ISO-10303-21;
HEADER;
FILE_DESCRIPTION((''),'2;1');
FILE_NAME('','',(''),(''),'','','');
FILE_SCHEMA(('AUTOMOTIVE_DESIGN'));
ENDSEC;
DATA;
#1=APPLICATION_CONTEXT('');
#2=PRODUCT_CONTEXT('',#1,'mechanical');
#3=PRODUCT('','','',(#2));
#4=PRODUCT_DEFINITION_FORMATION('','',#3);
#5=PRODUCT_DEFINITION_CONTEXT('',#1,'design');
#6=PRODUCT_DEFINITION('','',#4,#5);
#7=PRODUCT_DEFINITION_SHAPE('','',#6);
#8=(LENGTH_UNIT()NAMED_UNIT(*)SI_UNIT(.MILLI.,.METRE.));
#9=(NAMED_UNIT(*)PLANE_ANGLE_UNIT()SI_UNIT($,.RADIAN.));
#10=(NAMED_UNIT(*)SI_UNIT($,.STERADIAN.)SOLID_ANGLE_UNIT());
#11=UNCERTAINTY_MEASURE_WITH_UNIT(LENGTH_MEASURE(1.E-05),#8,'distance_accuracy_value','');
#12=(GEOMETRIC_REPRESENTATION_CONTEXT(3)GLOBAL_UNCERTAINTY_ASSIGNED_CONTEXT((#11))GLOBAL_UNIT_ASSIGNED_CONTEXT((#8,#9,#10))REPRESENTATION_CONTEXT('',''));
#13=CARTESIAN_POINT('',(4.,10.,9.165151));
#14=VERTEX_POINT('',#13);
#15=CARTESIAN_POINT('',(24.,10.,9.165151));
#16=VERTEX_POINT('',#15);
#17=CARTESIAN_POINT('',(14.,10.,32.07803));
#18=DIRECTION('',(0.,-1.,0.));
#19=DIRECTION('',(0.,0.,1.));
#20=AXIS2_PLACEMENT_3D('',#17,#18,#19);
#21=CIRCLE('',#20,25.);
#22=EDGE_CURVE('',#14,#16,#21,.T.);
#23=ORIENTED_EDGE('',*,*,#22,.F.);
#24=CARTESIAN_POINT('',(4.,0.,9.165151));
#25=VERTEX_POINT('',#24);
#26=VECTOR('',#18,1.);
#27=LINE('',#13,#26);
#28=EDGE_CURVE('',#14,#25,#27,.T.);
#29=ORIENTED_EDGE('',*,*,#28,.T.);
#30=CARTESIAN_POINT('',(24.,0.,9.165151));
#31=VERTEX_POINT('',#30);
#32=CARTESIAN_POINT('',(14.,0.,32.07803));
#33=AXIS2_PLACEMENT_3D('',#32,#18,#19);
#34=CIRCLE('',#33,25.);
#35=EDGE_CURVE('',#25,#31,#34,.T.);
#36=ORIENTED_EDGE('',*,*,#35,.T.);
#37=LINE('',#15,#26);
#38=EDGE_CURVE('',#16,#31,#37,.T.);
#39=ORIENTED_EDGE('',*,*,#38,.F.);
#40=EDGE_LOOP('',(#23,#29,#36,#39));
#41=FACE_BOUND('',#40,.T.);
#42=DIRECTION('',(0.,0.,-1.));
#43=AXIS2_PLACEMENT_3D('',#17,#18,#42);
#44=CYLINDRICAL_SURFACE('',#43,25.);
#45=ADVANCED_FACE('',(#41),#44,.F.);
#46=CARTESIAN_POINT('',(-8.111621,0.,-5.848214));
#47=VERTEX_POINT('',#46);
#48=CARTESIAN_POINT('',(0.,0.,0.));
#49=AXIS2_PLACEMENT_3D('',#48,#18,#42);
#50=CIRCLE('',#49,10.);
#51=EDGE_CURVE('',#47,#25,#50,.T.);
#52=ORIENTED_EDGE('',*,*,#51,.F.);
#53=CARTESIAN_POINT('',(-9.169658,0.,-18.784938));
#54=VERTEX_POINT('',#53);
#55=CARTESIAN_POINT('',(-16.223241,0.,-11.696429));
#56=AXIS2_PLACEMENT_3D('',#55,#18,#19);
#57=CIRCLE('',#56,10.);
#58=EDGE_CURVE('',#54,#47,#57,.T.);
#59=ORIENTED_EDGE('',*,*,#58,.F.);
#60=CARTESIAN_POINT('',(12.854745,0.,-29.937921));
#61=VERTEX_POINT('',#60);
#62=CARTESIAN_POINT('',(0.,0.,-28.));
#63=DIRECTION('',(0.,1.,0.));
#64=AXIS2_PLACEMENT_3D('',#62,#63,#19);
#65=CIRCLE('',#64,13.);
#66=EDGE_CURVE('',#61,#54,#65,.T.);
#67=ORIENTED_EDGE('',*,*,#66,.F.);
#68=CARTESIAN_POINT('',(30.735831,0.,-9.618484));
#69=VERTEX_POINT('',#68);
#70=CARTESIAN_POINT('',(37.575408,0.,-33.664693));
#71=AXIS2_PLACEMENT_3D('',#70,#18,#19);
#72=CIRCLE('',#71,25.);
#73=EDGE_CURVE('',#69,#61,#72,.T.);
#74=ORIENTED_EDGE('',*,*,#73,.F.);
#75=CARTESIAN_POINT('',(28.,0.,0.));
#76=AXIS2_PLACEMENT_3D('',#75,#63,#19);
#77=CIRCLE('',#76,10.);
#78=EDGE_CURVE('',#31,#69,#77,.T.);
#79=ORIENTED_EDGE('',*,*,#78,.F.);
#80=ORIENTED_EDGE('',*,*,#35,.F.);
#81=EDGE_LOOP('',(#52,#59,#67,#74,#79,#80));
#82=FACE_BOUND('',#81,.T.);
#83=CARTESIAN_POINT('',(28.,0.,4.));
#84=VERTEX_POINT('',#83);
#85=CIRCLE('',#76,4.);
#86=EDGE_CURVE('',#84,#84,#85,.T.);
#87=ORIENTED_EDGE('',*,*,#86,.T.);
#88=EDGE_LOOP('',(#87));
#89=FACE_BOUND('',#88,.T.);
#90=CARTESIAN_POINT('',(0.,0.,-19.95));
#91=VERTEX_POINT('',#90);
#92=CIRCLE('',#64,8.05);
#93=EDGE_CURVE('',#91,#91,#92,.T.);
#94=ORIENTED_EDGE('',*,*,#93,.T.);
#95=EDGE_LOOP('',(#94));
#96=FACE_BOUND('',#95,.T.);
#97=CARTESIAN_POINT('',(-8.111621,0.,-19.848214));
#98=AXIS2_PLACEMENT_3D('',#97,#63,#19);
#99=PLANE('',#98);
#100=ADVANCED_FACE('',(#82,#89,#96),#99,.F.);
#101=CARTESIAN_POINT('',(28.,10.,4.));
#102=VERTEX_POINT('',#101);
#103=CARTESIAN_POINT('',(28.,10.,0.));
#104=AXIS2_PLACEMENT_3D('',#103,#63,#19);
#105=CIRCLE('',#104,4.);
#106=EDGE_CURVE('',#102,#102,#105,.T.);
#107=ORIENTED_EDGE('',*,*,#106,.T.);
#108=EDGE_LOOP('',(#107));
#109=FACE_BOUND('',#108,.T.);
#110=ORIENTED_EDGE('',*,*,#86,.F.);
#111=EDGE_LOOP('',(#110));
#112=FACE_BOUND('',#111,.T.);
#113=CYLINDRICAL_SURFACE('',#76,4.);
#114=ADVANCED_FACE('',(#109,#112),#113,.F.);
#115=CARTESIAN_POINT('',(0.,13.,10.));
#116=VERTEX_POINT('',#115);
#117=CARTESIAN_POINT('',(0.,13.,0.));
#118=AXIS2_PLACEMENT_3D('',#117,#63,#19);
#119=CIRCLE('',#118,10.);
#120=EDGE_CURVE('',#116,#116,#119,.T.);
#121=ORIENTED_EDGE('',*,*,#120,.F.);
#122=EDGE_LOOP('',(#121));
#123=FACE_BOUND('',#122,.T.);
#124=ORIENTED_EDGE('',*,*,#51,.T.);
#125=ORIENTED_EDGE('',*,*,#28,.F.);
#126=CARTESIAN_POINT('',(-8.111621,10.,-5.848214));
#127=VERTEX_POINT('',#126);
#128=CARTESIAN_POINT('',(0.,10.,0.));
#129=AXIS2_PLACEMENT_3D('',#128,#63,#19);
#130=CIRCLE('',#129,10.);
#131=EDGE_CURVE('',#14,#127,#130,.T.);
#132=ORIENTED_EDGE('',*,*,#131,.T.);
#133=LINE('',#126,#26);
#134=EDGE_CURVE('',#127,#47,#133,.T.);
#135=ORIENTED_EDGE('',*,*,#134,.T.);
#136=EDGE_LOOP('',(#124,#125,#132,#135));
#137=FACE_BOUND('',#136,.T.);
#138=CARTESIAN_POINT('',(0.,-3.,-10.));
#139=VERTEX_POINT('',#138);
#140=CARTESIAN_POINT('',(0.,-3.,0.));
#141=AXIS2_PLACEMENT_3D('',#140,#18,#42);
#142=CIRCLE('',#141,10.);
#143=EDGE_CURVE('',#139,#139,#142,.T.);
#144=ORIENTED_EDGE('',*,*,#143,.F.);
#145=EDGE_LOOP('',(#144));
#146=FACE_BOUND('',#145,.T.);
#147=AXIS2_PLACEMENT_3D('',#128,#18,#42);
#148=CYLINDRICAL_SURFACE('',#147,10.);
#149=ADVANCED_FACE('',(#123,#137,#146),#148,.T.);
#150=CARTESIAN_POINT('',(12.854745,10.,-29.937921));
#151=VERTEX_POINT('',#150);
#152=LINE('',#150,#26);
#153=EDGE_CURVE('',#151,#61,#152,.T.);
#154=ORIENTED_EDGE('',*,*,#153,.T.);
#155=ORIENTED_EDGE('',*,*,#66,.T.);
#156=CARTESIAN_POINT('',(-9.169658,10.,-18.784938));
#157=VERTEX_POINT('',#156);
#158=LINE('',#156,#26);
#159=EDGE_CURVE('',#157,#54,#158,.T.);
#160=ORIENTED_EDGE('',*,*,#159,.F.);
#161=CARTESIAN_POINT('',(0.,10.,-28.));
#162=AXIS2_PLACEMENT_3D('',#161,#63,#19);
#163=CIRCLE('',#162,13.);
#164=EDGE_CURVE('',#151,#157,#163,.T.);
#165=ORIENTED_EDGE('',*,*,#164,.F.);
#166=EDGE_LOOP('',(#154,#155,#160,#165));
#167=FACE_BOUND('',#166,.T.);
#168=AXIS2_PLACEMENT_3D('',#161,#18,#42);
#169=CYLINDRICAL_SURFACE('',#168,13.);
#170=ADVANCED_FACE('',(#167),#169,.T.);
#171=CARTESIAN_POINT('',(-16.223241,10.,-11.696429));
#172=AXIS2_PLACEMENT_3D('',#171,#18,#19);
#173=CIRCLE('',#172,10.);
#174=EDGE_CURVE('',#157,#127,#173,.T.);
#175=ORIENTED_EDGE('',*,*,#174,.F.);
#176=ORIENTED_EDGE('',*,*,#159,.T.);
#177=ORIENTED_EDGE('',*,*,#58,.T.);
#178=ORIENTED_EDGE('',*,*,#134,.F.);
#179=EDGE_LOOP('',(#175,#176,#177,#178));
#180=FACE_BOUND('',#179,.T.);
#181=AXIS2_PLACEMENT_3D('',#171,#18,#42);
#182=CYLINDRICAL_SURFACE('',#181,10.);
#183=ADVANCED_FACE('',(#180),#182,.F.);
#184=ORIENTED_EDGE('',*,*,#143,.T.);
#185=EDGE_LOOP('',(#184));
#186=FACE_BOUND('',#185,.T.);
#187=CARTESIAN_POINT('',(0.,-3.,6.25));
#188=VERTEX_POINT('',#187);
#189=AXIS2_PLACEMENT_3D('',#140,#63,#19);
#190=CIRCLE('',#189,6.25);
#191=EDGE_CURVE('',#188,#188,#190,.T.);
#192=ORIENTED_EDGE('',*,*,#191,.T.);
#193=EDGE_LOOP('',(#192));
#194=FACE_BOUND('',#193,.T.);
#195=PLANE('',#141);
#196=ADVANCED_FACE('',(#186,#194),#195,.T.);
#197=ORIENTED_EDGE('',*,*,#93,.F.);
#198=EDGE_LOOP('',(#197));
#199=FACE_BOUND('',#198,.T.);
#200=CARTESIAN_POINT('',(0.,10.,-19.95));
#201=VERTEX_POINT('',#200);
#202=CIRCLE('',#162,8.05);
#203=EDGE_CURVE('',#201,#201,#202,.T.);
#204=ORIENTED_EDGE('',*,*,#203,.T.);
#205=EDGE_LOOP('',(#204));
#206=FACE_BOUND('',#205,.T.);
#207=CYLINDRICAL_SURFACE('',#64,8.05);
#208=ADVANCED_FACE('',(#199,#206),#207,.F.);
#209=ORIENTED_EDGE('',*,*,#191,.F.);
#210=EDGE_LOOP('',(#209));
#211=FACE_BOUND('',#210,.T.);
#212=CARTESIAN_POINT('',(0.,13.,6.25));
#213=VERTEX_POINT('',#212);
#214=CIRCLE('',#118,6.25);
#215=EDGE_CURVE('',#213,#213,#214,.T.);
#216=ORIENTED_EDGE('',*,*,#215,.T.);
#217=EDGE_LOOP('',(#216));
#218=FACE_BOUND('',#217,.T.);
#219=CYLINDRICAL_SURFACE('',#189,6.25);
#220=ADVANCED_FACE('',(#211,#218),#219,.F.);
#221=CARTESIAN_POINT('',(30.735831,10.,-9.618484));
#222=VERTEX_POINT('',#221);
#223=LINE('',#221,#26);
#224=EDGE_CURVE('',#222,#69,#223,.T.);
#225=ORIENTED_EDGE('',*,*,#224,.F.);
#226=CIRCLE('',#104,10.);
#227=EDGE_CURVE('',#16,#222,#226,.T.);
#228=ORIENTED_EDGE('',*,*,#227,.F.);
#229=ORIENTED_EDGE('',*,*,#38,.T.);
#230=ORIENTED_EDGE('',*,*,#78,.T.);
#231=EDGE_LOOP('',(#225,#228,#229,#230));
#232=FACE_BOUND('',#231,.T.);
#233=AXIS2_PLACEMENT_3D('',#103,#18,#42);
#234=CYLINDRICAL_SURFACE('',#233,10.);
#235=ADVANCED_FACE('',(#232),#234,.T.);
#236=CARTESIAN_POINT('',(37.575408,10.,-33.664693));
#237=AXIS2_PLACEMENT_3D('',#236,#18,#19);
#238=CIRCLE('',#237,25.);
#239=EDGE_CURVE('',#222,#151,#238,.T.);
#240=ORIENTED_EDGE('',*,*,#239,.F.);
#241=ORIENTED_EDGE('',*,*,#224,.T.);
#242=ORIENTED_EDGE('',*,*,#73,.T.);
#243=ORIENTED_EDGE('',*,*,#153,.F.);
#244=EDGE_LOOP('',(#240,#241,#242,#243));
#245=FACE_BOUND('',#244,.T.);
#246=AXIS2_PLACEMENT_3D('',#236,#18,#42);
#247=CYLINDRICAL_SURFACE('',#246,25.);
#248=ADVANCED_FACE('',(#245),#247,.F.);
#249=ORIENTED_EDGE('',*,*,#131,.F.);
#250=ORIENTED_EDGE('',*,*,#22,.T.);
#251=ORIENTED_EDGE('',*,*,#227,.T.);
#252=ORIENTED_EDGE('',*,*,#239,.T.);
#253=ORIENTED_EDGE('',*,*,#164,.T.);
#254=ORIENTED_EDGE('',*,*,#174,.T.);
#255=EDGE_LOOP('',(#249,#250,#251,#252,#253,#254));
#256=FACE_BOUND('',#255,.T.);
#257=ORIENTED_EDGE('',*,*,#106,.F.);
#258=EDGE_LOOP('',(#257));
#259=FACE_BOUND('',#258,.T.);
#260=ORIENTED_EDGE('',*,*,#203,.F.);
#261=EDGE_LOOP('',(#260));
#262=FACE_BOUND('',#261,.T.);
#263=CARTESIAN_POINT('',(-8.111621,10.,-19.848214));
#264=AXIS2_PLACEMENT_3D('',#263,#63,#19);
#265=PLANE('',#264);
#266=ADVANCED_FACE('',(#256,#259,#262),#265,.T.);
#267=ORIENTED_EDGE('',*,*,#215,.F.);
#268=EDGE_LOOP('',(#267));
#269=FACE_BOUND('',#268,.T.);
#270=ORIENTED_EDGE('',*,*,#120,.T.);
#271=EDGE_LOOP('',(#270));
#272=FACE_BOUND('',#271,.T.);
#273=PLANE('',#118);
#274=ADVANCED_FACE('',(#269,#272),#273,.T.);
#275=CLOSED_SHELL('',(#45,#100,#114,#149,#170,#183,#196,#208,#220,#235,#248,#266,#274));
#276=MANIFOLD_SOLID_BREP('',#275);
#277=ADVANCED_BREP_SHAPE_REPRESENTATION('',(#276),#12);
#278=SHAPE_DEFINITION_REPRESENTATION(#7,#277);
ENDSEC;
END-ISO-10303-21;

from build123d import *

# Parameters (mm, degrees)
SALIENTE_EXTRUIR1_DEPTH = 10
CROQUIS2_R              = 8.05
CROQUIS2_R_2            = 4
CORTAR_EXTRUIR1_DEPTH   = 10
CROQUIS3_R              = 10
SALIENTE_EXTRUIR2_DEPTH = 3
SALIENTE_EXTRUIR3_START = 3
CROQUIS4_R              = 10
SALIENTE_EXTRUIR3_DEPTH = 3
CROQUIS5_R              = 6.25
CORTAR_EXTRUIR2_DEPTH   = 59.14636704


with BuildPart() as part:
    # Croquis1 → Saliente-Extruir1 (new body)
    with BuildSketch(Plane(origin=(0, 0, 0), x_dir=(1, 0, 0), z_dir=(0, 1, 0))):
        with BuildLine():
            ThreePointArc((-8.111620656, 5.848214286), (-7.783099854, -6.278802168), (4, -9.16515139))
            ThreePointArc((4, -9.16515139), (14, -7.078029865), (24, -9.16515139))
            ThreePointArc((24, -9.16515139), (37.413063718, -3.375534245), (30.735830721, 9.618483782))
            ThreePointArc((30.735830721, 9.618483782), (18.80756088, 17.149005774), (12.854744679, 29.937921371))
            ThreePointArc((12.854744679, 29.937921371), (-5.873008246, 39.597748667), (-9.169658133, 18.784937888))
            ThreePointArc((-9.169658133, 18.784937888), (-6.25651887, 12.511562773), (-8.111620656, 5.848214286))
        make_face()
    extrude(amount=SALIENTE_EXTRUIR1_DEPTH)

    # Croquis2 → Cortar-Extruir1 (cut)
    with BuildSketch(Plane(origin=(0, 10, 0), x_dir=(1, 0, 0), z_dir=(0, 1, 0))):
        with Locations(Location((0, 28, 0), (0, 0, 270))):
            Circle(CROQUIS2_R)
        with Locations(Location((28, 0, 0), (0, 0, 270))):
            Circle(CROQUIS2_R_2)
    extrude(amount=-CORTAR_EXTRUIR1_DEPTH, mode=Mode.SUBTRACT)

    # Croquis3 → Saliente-Extruir2 (add)
    with BuildSketch(Plane(origin=(0, 10, 0), x_dir=(1, 0, 0), z_dir=(0, 1, 0))):
        with Locations(Location((0, 0, 0), (0, 0, 144.209624239))):
            Circle(CROQUIS3_R)
    extrude(amount=SALIENTE_EXTRUIR2_DEPTH)

    # Croquis4 → Saliente-Extruir3 (add)
    with BuildSketch(Plane.XZ.offset(SALIENTE_EXTRUIR3_START)):
        with Locations(Location((0, 0, 0), (0, 0, 270))):
            Circle(CROQUIS4_R)
    extrude(amount=-SALIENTE_EXTRUIR3_DEPTH)

    # Croquis5 → Cortar-Extruir2 (cut, through all)
    with BuildSketch(Plane(origin=(0, 13, 0), x_dir=(1, 0, 0), z_dir=(0, 1, 0))):
        with Locations(Location((0, 0, 0), (0, 0, 270))):
            Circle(CROQUIS5_R)
    extrude(amount=-CORTAR_EXTRUIR2_DEPTH, mode=Mode.SUBTRACT)


solid = part.part
